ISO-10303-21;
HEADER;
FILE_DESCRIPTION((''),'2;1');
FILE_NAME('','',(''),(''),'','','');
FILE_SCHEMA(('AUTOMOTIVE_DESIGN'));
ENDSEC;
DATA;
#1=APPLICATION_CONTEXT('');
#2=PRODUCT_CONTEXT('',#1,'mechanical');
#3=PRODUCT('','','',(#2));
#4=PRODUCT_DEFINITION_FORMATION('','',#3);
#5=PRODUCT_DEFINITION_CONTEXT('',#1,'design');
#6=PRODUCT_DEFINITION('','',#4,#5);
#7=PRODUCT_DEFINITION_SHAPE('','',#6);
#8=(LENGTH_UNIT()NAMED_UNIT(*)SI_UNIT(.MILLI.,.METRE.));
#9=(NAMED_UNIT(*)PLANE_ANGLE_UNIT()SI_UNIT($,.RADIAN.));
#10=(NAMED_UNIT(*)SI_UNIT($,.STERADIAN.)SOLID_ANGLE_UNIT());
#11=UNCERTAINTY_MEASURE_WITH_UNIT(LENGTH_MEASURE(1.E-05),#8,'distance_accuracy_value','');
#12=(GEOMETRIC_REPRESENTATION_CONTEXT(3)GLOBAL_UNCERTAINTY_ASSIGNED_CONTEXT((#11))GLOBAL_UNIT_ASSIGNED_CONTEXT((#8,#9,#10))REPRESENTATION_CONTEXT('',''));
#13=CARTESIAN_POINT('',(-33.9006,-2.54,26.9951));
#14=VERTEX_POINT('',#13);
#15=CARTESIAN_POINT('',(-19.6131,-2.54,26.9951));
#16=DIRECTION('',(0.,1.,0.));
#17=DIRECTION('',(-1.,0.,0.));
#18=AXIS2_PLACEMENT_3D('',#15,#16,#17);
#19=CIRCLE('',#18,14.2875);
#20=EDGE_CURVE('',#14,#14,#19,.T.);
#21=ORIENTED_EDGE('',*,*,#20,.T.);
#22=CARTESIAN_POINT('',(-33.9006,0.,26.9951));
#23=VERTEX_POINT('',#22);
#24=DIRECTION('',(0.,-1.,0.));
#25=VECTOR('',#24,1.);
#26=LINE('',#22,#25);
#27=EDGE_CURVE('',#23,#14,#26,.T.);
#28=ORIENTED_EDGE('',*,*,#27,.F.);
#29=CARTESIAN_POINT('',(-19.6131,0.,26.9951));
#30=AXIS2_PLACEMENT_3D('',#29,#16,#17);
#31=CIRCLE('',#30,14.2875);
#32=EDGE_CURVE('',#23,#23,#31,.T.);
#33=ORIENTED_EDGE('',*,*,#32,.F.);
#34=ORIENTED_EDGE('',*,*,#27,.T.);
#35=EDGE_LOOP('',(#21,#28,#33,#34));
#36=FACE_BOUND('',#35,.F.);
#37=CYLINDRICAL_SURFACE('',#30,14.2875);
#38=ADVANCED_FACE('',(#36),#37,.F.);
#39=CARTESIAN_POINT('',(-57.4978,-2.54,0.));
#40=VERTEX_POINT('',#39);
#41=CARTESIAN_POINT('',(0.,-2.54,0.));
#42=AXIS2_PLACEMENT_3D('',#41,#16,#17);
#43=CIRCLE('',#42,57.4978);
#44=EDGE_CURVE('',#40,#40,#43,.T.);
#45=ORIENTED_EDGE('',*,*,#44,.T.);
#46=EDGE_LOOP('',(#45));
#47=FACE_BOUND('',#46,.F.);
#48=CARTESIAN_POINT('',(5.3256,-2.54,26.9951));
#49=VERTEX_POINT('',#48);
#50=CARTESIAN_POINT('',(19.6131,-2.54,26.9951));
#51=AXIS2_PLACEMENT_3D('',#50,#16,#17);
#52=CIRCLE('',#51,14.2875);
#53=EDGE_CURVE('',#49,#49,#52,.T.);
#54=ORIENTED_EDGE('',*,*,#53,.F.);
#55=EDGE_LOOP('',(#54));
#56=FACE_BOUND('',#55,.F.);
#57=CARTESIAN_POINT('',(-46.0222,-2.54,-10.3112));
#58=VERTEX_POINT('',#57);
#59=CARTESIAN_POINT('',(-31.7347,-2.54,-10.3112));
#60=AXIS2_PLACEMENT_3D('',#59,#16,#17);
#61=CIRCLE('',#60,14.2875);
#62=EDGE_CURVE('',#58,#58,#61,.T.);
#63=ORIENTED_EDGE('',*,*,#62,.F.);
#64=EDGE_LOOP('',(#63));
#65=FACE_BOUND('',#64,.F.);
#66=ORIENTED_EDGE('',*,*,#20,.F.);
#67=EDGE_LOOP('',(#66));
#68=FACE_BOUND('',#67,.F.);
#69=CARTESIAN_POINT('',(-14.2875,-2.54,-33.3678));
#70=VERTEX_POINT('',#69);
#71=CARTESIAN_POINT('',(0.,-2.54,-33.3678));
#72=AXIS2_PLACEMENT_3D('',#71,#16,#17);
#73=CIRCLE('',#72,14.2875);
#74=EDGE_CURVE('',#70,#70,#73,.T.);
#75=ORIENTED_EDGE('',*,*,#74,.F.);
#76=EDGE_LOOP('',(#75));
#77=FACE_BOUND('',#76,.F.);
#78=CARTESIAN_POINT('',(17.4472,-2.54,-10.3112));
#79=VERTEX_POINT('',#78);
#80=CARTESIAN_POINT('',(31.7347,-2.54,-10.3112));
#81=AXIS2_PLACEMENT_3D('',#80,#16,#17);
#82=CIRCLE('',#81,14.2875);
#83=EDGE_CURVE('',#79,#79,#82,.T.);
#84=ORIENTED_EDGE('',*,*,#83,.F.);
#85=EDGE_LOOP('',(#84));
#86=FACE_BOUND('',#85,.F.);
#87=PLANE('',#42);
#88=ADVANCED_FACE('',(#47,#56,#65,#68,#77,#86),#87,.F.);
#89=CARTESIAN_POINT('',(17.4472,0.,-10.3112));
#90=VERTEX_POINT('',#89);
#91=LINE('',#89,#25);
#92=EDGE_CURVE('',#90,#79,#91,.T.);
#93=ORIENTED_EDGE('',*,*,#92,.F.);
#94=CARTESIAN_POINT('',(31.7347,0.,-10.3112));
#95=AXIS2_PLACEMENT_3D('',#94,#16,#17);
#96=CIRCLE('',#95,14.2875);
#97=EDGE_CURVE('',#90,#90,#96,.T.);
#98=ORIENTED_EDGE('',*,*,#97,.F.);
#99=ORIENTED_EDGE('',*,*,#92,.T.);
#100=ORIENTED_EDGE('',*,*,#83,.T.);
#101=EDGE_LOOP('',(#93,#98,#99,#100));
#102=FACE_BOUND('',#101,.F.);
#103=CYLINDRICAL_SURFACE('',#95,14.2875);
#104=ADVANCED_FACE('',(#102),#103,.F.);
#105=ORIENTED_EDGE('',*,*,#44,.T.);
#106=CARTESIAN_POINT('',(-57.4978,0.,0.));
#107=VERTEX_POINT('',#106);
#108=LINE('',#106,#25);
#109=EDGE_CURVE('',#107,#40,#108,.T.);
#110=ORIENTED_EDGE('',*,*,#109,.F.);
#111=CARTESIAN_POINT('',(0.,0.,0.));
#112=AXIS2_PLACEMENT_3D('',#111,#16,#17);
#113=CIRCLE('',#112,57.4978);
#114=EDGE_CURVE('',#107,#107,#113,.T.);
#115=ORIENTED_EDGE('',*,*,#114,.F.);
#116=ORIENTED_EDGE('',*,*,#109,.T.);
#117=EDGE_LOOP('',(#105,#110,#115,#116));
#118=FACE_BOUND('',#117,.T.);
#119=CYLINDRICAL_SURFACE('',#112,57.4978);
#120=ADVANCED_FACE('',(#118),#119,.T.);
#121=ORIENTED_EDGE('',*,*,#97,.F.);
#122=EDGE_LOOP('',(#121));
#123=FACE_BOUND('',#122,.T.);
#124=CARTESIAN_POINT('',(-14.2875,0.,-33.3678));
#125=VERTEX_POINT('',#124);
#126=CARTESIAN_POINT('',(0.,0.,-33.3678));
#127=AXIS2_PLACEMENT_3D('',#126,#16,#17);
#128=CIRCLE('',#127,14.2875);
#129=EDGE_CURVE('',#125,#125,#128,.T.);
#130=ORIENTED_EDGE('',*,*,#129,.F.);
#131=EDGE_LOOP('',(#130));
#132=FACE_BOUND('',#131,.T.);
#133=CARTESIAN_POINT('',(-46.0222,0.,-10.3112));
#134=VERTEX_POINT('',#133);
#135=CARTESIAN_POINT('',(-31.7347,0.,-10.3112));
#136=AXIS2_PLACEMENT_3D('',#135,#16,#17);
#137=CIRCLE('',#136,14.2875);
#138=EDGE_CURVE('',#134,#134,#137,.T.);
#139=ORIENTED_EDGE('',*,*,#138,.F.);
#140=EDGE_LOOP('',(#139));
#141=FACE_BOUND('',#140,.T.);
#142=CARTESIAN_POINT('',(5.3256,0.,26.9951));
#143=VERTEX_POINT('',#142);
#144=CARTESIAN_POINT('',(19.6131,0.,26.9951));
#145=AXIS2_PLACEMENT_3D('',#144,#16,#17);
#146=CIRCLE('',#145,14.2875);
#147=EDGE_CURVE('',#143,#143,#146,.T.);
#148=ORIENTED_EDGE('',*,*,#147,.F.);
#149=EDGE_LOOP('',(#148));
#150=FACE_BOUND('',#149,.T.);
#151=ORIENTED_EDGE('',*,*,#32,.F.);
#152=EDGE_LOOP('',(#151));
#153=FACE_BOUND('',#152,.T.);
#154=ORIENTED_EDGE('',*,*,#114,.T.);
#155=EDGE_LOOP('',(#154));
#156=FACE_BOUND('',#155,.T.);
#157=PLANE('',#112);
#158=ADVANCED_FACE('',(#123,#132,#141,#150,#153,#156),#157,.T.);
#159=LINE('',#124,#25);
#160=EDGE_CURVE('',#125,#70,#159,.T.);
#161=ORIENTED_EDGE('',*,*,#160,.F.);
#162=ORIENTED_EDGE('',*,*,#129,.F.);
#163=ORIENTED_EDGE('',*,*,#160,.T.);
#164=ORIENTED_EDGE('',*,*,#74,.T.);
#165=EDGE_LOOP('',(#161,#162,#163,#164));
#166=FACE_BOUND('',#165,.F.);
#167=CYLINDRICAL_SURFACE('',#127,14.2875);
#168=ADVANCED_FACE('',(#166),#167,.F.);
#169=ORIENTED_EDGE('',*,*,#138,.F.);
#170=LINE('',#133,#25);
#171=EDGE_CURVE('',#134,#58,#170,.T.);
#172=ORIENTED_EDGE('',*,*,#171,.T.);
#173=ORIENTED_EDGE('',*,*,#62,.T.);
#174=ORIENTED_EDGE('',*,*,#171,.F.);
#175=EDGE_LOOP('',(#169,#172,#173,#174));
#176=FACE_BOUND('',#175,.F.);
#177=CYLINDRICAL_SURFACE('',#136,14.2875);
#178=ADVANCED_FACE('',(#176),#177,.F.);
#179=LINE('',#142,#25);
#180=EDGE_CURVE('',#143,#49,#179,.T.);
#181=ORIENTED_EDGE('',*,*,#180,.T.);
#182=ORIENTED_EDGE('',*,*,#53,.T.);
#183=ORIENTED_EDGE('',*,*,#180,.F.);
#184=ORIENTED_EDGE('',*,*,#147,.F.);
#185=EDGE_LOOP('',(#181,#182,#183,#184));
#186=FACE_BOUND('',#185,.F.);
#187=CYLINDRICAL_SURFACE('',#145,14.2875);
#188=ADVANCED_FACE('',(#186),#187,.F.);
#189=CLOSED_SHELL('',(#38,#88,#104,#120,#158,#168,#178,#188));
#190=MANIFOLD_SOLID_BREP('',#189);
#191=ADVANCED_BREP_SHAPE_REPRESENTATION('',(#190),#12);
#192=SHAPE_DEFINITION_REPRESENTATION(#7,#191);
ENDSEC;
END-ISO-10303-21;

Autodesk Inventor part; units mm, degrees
ref_plane "YZ Plane" through (0, 0, 0) normal (1, 0, 0) x (0, 1, 0)
ref_plane "XZ Plane" through (0, 0, 0) normal (0, 1, 0) x (-1, 0, 0)
ref_plane "XY Plane" through (0, 0, 0) normal (0, 0, 1) x (1, 0, 0)
sketch "Sketch1" plane through (0, 0, 0) normal (0, 1, 0) x (-1, 0, 0)
  circle A0 centre (0, 0) radius 57.4978
  circle A1 centre (0, 0) radius 33.3678 construction
  circle A2 centre (0, -33.3678) radius 14.2875
  circle A3 centre (31.7347, -10.3112) radius 14.2875
  circle A4 centre (19.6131, 26.9951) radius 14.2875
  circle A5 centre (-19.6131, 26.9951) radius 14.2875
  circle A6 centre (-31.7347, -10.3112) radius 14.2875
  dimension "wheelFilterDiameter" = 66.7357
  dimension "wheelOuterDiameter" = 114.9957
  dimension "filterThreadDiameter" = 28.575
  dimension "d5" = 360
extrude "Extrusion1" add sketch "Sketch1" against normal blind 2.54
thread "Thread1" size "1 1/8-42 UN-RES" designation "1 1/8-28 UN-RDS" class "3B" standard "ANSI Unified Screw Threads" full length
equation "\"wheelFilterDiameter\" = 0.318471 * wheelFilterCircumference"
equation "\"wheelOuterDiameter\" = filterDiameter + wheelFilterDiameter + 2 * distanceFromFilterToEdge"
equation "\"distanceBetweenFilters\" = 12.7"
equation "\"distanceFromFilterToEdge\" = 9.525"
equation "\"filterDiameter\" = 29.21"
equation "\"wheelFilterCircumference\" = 209.55"
properties part number "filterHolder"
